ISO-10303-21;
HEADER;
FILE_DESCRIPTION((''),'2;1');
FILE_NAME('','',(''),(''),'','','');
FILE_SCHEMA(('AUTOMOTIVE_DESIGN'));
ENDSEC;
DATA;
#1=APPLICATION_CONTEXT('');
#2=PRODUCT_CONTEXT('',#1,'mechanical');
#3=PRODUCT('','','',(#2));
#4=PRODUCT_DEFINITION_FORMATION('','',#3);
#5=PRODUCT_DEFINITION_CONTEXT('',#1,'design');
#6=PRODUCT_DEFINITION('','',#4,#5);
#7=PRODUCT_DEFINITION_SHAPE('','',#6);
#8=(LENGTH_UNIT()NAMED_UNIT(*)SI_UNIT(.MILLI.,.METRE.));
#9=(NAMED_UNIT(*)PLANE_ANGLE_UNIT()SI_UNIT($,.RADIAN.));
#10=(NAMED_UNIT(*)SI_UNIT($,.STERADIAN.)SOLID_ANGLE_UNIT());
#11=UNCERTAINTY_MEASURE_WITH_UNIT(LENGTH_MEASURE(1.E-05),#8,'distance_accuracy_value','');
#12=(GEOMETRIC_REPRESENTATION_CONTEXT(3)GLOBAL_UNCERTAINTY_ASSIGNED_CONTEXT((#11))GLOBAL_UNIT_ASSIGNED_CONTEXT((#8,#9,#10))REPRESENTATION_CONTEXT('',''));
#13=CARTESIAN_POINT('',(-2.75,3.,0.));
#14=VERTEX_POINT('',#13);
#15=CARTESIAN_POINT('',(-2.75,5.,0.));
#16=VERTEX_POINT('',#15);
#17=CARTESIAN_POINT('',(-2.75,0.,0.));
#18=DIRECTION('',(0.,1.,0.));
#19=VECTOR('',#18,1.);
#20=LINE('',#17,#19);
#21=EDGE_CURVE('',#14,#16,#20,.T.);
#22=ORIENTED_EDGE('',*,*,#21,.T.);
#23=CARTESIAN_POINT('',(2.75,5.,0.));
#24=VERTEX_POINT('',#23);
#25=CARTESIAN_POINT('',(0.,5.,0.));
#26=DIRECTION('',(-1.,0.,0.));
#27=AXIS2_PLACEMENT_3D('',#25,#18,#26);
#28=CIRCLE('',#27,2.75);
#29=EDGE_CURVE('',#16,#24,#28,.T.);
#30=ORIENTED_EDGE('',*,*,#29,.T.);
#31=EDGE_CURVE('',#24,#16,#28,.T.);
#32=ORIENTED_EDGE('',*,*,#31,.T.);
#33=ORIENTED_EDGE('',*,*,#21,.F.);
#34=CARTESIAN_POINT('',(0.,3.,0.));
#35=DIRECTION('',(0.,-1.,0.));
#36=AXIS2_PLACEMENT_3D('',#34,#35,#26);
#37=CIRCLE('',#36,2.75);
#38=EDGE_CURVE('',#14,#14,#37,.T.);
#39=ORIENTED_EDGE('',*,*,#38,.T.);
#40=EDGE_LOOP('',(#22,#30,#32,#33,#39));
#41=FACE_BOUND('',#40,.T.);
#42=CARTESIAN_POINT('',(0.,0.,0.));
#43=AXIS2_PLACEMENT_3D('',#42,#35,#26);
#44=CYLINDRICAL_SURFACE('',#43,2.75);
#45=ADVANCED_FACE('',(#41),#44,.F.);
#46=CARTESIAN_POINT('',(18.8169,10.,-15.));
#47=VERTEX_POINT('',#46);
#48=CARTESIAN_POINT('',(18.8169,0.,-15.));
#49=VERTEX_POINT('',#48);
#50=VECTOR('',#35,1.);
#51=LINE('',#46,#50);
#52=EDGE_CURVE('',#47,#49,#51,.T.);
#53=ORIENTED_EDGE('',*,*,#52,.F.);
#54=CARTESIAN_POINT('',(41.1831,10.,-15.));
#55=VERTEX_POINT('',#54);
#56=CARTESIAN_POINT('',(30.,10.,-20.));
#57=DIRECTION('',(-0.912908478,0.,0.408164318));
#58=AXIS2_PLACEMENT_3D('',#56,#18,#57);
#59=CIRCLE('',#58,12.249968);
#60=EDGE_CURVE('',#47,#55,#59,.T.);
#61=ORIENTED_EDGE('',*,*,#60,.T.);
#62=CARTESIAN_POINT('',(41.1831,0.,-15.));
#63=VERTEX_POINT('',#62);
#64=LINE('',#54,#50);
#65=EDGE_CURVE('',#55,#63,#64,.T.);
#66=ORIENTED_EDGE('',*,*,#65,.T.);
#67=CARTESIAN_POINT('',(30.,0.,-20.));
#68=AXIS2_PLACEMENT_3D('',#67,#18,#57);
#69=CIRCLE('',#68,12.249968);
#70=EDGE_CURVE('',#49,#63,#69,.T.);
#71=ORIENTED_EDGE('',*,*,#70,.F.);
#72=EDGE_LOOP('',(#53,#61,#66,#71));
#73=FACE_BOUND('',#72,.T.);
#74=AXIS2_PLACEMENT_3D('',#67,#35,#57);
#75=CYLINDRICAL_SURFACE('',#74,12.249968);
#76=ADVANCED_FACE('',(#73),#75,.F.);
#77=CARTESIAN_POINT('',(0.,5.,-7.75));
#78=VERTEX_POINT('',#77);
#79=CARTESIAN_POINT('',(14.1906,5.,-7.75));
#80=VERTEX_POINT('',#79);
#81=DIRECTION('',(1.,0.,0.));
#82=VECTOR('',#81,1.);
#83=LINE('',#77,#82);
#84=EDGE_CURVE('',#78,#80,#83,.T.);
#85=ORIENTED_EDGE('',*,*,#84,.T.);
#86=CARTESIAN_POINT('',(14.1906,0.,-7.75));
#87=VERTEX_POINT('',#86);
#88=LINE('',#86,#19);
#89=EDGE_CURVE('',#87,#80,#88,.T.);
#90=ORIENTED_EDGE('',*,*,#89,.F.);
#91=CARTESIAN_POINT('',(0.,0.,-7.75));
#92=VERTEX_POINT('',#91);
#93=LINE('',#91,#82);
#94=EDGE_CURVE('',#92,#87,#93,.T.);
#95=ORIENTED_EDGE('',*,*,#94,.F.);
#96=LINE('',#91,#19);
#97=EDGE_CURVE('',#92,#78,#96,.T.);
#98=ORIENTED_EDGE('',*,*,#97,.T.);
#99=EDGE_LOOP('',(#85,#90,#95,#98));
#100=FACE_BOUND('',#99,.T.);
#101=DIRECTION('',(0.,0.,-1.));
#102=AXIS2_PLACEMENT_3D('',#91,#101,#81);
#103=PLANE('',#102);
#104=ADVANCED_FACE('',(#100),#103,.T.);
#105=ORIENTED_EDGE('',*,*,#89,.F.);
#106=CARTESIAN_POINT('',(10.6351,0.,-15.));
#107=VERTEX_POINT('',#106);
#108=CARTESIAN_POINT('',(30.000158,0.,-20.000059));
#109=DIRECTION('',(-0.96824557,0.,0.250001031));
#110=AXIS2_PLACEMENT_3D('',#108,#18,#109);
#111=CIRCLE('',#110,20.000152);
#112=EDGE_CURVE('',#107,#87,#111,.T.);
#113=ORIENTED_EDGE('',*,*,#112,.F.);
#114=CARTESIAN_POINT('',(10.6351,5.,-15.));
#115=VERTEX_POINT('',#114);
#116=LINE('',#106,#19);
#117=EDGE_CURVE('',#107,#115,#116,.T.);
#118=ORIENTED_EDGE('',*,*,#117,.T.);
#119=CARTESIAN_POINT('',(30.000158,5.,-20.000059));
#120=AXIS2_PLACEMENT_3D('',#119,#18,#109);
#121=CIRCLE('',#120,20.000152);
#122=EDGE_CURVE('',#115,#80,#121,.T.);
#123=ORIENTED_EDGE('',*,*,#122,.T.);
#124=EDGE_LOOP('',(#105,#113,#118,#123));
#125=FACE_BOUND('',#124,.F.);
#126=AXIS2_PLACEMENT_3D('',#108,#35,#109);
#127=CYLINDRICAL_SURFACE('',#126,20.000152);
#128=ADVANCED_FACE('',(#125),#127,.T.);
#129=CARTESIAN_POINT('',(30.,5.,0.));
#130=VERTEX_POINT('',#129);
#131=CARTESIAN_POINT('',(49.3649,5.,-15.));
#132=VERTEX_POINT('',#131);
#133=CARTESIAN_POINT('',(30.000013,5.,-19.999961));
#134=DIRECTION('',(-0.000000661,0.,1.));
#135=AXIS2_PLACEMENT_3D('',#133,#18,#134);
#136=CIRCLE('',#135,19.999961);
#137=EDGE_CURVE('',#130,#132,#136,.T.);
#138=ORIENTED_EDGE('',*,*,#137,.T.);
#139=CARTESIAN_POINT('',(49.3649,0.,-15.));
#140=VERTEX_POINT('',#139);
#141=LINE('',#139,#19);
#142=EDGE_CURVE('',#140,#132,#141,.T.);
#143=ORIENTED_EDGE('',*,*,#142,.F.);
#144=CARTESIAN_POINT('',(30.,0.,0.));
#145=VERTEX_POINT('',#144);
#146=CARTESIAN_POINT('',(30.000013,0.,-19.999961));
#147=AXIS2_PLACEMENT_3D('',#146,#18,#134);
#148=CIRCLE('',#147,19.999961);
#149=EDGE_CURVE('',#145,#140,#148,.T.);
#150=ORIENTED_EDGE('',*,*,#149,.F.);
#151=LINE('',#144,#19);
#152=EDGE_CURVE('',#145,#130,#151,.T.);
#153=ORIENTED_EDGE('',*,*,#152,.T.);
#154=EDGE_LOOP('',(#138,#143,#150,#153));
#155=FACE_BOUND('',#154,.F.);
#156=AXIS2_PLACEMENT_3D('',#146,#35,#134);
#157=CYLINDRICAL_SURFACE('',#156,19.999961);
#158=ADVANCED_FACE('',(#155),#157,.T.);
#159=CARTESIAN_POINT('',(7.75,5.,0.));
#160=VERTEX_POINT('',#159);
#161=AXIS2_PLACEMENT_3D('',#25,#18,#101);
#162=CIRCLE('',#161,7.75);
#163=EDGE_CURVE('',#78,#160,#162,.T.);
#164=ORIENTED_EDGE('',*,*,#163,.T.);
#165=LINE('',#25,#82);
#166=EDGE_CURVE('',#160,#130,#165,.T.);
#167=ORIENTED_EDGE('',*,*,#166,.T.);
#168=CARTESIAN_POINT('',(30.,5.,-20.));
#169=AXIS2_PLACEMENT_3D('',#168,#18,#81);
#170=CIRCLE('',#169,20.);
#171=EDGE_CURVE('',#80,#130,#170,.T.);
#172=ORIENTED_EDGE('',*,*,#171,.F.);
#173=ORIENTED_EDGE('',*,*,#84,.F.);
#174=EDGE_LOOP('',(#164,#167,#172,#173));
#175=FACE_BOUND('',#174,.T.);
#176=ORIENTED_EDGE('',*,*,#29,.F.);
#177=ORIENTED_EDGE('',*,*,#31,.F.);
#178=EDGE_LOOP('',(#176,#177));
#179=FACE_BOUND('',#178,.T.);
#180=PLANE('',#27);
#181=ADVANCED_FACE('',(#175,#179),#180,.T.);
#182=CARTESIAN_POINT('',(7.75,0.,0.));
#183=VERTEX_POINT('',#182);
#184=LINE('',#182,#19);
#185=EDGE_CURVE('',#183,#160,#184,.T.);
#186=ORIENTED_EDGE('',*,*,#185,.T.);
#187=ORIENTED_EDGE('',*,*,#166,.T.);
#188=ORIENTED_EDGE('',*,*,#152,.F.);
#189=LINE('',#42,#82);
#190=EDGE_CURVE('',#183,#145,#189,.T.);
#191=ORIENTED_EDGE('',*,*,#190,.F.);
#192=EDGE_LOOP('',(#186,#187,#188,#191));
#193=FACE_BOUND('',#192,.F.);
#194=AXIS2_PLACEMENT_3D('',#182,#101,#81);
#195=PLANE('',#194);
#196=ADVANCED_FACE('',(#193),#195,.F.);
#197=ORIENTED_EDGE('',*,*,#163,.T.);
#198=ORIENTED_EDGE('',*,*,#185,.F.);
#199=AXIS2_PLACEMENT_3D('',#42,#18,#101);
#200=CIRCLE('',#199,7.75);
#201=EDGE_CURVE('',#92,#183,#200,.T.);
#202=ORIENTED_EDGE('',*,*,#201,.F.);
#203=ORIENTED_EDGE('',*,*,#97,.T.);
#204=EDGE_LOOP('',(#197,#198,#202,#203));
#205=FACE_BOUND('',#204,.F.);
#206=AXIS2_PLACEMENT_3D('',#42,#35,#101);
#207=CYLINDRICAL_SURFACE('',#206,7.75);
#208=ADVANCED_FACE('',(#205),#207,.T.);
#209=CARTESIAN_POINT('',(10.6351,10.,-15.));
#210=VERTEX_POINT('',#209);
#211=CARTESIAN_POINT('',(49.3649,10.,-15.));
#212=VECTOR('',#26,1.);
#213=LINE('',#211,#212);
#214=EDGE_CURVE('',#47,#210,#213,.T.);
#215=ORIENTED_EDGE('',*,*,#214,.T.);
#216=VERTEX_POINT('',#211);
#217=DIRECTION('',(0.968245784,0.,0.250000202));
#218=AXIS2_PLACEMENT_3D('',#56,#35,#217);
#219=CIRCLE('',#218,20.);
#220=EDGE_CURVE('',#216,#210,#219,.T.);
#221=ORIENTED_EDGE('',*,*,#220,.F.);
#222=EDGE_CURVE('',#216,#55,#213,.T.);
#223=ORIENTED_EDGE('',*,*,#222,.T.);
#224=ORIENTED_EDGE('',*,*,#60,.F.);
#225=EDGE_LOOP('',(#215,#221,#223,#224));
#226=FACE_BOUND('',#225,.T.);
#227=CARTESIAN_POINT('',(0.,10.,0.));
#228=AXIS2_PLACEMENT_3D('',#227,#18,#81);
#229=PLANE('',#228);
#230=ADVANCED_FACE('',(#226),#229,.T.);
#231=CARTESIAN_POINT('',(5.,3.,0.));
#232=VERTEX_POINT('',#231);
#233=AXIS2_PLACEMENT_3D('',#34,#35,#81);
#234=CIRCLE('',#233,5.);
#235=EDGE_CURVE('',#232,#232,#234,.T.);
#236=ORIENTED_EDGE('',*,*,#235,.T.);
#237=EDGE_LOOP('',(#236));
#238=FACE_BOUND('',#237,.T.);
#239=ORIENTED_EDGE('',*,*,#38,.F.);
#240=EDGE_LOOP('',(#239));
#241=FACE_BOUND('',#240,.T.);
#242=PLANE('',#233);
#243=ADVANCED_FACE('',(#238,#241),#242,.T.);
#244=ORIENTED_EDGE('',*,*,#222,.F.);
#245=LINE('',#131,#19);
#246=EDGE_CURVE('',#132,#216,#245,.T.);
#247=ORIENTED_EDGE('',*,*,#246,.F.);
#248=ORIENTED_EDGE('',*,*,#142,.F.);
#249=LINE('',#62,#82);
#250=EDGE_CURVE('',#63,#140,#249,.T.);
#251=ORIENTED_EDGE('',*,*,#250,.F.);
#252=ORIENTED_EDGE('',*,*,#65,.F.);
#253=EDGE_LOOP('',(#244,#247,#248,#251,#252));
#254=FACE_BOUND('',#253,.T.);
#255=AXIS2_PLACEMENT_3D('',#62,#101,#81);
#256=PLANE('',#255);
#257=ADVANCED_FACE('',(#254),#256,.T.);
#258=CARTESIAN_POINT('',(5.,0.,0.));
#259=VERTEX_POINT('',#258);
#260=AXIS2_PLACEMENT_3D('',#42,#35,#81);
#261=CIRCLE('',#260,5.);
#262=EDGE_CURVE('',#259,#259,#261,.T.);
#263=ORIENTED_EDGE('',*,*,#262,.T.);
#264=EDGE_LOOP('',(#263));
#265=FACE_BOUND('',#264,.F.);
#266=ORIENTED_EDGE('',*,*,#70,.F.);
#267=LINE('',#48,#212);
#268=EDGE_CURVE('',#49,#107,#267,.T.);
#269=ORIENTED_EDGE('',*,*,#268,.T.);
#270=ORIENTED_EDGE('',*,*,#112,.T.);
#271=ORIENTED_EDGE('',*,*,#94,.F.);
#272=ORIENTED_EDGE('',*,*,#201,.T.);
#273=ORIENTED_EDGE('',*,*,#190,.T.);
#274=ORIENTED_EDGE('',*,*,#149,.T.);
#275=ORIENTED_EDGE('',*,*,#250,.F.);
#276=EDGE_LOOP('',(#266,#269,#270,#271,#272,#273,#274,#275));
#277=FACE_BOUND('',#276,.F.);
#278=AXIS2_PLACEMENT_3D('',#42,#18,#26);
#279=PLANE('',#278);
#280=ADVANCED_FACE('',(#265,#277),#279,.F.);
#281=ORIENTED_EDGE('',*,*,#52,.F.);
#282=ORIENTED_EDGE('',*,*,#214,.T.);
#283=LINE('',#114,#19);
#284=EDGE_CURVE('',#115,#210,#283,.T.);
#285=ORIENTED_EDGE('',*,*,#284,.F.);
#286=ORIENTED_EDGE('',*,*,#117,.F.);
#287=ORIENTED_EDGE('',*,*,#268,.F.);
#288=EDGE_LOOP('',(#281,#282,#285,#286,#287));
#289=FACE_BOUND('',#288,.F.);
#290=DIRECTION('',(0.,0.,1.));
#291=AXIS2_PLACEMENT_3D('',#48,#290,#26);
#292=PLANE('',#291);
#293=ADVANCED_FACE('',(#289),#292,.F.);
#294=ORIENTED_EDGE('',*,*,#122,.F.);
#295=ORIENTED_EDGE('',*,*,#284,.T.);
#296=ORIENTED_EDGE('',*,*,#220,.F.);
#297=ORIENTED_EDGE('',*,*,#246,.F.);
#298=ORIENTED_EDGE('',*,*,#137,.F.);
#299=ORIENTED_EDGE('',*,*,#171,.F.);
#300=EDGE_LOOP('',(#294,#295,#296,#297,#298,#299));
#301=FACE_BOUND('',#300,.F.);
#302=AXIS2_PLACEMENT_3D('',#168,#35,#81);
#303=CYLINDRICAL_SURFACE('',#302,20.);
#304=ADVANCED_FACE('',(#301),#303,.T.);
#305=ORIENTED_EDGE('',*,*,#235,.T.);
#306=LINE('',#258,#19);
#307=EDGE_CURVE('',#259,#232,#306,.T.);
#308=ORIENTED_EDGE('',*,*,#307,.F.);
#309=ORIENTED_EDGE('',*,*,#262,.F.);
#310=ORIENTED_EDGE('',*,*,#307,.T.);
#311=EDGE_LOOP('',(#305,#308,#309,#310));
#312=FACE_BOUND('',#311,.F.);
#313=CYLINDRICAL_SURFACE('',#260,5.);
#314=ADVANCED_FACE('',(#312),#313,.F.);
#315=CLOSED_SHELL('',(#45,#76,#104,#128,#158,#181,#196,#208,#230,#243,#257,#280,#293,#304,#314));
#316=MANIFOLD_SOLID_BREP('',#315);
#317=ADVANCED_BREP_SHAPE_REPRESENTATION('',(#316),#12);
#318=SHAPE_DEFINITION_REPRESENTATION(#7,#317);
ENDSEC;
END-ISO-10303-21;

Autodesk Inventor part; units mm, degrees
ref_plane "YZ Plane" through (0, 0, 0) normal (1, 0, 0) x (0, 1, 0)
ref_plane "XZ Plane" through (0, 0, 0) normal (0, 1, 0) x (-1, 0, 0)
ref_plane "XY Plane" through (0, 0, 0) normal (0, 0, 1) x (1, 0, 0)
sketch "Sketch1" plane through (0, 0, 0) normal (0, 1, 0) x (-1, 0, 0)
  circle A0 centre (0, 0) radius 2.75
  arc A1 (0, -7.75) -> (-7.75, 0) centre (0, 0) ccw
  line L0 (0, 0) -> (-30, 0)
  line L1 (0, -7.75) -> (-14.1906, -7.75)
  line L2 (-30, 0) -> (-30, -20) construction
  arc A2 (-18.8169, -15) -> (-41.1831, -15) centre (-30, -20) ccw
  line L3 (-30, 0) -> (-30, -15) construction
  line L4 (-41.1831, -15) -> (-49.3649, -15)
  line L5 (-18.8169, -15) -> (-10.6351, -15)
  arc A3 (-10.6351, -15) -> (-14.1906, -7.75) centre (-30, -20) ccw
  arc A4 (-30, 0) -> (-49.3649, -15) centre (-30, -20) ccw
  dimension "d0" = 5.5
  dimension "d1" = 5
  dimension "d2" = 30
  dimension "d3" = 20
  dimension "d4" = 15
extrude "Extrusion1" add sketch "Sketch1" along normal blind 5
sketch "Sketch2" plane through (0, 5, 0) normal (0, 1, 0) x (1, 0, 0)
  arc A0 (18.8169, 15) -> (41.1831, 15) centre (30, 20) ccw projected
  circle A1 centre (30, 20) radius 12.25
  line L0 (7.75, 0) -> (30, 0) projected
  circle A2 centre (30, 20) radius 20
  line L1 (49.3649, 15) -> (41.1831, 15) projected
  line L2 (49.3649, 15) -> (10.6351, 15)
  point P0 (0, 0)
extrude "Extrusion2" add sketch "Sketch2" along normal blind 5 contours A0 L1 A2 L2
sketch "Sketch3" plane through (0, 0, 0) normal (0, -1, 0) x (1, 0, 0)
  circle A0 centre (0, 0) radius 5
  dimension "d9" = 10
extrude "Extrusion3" cut sketch "Sketch3" against normal blind 3
properties part number "CameraMount" material "ABS Plastic"
